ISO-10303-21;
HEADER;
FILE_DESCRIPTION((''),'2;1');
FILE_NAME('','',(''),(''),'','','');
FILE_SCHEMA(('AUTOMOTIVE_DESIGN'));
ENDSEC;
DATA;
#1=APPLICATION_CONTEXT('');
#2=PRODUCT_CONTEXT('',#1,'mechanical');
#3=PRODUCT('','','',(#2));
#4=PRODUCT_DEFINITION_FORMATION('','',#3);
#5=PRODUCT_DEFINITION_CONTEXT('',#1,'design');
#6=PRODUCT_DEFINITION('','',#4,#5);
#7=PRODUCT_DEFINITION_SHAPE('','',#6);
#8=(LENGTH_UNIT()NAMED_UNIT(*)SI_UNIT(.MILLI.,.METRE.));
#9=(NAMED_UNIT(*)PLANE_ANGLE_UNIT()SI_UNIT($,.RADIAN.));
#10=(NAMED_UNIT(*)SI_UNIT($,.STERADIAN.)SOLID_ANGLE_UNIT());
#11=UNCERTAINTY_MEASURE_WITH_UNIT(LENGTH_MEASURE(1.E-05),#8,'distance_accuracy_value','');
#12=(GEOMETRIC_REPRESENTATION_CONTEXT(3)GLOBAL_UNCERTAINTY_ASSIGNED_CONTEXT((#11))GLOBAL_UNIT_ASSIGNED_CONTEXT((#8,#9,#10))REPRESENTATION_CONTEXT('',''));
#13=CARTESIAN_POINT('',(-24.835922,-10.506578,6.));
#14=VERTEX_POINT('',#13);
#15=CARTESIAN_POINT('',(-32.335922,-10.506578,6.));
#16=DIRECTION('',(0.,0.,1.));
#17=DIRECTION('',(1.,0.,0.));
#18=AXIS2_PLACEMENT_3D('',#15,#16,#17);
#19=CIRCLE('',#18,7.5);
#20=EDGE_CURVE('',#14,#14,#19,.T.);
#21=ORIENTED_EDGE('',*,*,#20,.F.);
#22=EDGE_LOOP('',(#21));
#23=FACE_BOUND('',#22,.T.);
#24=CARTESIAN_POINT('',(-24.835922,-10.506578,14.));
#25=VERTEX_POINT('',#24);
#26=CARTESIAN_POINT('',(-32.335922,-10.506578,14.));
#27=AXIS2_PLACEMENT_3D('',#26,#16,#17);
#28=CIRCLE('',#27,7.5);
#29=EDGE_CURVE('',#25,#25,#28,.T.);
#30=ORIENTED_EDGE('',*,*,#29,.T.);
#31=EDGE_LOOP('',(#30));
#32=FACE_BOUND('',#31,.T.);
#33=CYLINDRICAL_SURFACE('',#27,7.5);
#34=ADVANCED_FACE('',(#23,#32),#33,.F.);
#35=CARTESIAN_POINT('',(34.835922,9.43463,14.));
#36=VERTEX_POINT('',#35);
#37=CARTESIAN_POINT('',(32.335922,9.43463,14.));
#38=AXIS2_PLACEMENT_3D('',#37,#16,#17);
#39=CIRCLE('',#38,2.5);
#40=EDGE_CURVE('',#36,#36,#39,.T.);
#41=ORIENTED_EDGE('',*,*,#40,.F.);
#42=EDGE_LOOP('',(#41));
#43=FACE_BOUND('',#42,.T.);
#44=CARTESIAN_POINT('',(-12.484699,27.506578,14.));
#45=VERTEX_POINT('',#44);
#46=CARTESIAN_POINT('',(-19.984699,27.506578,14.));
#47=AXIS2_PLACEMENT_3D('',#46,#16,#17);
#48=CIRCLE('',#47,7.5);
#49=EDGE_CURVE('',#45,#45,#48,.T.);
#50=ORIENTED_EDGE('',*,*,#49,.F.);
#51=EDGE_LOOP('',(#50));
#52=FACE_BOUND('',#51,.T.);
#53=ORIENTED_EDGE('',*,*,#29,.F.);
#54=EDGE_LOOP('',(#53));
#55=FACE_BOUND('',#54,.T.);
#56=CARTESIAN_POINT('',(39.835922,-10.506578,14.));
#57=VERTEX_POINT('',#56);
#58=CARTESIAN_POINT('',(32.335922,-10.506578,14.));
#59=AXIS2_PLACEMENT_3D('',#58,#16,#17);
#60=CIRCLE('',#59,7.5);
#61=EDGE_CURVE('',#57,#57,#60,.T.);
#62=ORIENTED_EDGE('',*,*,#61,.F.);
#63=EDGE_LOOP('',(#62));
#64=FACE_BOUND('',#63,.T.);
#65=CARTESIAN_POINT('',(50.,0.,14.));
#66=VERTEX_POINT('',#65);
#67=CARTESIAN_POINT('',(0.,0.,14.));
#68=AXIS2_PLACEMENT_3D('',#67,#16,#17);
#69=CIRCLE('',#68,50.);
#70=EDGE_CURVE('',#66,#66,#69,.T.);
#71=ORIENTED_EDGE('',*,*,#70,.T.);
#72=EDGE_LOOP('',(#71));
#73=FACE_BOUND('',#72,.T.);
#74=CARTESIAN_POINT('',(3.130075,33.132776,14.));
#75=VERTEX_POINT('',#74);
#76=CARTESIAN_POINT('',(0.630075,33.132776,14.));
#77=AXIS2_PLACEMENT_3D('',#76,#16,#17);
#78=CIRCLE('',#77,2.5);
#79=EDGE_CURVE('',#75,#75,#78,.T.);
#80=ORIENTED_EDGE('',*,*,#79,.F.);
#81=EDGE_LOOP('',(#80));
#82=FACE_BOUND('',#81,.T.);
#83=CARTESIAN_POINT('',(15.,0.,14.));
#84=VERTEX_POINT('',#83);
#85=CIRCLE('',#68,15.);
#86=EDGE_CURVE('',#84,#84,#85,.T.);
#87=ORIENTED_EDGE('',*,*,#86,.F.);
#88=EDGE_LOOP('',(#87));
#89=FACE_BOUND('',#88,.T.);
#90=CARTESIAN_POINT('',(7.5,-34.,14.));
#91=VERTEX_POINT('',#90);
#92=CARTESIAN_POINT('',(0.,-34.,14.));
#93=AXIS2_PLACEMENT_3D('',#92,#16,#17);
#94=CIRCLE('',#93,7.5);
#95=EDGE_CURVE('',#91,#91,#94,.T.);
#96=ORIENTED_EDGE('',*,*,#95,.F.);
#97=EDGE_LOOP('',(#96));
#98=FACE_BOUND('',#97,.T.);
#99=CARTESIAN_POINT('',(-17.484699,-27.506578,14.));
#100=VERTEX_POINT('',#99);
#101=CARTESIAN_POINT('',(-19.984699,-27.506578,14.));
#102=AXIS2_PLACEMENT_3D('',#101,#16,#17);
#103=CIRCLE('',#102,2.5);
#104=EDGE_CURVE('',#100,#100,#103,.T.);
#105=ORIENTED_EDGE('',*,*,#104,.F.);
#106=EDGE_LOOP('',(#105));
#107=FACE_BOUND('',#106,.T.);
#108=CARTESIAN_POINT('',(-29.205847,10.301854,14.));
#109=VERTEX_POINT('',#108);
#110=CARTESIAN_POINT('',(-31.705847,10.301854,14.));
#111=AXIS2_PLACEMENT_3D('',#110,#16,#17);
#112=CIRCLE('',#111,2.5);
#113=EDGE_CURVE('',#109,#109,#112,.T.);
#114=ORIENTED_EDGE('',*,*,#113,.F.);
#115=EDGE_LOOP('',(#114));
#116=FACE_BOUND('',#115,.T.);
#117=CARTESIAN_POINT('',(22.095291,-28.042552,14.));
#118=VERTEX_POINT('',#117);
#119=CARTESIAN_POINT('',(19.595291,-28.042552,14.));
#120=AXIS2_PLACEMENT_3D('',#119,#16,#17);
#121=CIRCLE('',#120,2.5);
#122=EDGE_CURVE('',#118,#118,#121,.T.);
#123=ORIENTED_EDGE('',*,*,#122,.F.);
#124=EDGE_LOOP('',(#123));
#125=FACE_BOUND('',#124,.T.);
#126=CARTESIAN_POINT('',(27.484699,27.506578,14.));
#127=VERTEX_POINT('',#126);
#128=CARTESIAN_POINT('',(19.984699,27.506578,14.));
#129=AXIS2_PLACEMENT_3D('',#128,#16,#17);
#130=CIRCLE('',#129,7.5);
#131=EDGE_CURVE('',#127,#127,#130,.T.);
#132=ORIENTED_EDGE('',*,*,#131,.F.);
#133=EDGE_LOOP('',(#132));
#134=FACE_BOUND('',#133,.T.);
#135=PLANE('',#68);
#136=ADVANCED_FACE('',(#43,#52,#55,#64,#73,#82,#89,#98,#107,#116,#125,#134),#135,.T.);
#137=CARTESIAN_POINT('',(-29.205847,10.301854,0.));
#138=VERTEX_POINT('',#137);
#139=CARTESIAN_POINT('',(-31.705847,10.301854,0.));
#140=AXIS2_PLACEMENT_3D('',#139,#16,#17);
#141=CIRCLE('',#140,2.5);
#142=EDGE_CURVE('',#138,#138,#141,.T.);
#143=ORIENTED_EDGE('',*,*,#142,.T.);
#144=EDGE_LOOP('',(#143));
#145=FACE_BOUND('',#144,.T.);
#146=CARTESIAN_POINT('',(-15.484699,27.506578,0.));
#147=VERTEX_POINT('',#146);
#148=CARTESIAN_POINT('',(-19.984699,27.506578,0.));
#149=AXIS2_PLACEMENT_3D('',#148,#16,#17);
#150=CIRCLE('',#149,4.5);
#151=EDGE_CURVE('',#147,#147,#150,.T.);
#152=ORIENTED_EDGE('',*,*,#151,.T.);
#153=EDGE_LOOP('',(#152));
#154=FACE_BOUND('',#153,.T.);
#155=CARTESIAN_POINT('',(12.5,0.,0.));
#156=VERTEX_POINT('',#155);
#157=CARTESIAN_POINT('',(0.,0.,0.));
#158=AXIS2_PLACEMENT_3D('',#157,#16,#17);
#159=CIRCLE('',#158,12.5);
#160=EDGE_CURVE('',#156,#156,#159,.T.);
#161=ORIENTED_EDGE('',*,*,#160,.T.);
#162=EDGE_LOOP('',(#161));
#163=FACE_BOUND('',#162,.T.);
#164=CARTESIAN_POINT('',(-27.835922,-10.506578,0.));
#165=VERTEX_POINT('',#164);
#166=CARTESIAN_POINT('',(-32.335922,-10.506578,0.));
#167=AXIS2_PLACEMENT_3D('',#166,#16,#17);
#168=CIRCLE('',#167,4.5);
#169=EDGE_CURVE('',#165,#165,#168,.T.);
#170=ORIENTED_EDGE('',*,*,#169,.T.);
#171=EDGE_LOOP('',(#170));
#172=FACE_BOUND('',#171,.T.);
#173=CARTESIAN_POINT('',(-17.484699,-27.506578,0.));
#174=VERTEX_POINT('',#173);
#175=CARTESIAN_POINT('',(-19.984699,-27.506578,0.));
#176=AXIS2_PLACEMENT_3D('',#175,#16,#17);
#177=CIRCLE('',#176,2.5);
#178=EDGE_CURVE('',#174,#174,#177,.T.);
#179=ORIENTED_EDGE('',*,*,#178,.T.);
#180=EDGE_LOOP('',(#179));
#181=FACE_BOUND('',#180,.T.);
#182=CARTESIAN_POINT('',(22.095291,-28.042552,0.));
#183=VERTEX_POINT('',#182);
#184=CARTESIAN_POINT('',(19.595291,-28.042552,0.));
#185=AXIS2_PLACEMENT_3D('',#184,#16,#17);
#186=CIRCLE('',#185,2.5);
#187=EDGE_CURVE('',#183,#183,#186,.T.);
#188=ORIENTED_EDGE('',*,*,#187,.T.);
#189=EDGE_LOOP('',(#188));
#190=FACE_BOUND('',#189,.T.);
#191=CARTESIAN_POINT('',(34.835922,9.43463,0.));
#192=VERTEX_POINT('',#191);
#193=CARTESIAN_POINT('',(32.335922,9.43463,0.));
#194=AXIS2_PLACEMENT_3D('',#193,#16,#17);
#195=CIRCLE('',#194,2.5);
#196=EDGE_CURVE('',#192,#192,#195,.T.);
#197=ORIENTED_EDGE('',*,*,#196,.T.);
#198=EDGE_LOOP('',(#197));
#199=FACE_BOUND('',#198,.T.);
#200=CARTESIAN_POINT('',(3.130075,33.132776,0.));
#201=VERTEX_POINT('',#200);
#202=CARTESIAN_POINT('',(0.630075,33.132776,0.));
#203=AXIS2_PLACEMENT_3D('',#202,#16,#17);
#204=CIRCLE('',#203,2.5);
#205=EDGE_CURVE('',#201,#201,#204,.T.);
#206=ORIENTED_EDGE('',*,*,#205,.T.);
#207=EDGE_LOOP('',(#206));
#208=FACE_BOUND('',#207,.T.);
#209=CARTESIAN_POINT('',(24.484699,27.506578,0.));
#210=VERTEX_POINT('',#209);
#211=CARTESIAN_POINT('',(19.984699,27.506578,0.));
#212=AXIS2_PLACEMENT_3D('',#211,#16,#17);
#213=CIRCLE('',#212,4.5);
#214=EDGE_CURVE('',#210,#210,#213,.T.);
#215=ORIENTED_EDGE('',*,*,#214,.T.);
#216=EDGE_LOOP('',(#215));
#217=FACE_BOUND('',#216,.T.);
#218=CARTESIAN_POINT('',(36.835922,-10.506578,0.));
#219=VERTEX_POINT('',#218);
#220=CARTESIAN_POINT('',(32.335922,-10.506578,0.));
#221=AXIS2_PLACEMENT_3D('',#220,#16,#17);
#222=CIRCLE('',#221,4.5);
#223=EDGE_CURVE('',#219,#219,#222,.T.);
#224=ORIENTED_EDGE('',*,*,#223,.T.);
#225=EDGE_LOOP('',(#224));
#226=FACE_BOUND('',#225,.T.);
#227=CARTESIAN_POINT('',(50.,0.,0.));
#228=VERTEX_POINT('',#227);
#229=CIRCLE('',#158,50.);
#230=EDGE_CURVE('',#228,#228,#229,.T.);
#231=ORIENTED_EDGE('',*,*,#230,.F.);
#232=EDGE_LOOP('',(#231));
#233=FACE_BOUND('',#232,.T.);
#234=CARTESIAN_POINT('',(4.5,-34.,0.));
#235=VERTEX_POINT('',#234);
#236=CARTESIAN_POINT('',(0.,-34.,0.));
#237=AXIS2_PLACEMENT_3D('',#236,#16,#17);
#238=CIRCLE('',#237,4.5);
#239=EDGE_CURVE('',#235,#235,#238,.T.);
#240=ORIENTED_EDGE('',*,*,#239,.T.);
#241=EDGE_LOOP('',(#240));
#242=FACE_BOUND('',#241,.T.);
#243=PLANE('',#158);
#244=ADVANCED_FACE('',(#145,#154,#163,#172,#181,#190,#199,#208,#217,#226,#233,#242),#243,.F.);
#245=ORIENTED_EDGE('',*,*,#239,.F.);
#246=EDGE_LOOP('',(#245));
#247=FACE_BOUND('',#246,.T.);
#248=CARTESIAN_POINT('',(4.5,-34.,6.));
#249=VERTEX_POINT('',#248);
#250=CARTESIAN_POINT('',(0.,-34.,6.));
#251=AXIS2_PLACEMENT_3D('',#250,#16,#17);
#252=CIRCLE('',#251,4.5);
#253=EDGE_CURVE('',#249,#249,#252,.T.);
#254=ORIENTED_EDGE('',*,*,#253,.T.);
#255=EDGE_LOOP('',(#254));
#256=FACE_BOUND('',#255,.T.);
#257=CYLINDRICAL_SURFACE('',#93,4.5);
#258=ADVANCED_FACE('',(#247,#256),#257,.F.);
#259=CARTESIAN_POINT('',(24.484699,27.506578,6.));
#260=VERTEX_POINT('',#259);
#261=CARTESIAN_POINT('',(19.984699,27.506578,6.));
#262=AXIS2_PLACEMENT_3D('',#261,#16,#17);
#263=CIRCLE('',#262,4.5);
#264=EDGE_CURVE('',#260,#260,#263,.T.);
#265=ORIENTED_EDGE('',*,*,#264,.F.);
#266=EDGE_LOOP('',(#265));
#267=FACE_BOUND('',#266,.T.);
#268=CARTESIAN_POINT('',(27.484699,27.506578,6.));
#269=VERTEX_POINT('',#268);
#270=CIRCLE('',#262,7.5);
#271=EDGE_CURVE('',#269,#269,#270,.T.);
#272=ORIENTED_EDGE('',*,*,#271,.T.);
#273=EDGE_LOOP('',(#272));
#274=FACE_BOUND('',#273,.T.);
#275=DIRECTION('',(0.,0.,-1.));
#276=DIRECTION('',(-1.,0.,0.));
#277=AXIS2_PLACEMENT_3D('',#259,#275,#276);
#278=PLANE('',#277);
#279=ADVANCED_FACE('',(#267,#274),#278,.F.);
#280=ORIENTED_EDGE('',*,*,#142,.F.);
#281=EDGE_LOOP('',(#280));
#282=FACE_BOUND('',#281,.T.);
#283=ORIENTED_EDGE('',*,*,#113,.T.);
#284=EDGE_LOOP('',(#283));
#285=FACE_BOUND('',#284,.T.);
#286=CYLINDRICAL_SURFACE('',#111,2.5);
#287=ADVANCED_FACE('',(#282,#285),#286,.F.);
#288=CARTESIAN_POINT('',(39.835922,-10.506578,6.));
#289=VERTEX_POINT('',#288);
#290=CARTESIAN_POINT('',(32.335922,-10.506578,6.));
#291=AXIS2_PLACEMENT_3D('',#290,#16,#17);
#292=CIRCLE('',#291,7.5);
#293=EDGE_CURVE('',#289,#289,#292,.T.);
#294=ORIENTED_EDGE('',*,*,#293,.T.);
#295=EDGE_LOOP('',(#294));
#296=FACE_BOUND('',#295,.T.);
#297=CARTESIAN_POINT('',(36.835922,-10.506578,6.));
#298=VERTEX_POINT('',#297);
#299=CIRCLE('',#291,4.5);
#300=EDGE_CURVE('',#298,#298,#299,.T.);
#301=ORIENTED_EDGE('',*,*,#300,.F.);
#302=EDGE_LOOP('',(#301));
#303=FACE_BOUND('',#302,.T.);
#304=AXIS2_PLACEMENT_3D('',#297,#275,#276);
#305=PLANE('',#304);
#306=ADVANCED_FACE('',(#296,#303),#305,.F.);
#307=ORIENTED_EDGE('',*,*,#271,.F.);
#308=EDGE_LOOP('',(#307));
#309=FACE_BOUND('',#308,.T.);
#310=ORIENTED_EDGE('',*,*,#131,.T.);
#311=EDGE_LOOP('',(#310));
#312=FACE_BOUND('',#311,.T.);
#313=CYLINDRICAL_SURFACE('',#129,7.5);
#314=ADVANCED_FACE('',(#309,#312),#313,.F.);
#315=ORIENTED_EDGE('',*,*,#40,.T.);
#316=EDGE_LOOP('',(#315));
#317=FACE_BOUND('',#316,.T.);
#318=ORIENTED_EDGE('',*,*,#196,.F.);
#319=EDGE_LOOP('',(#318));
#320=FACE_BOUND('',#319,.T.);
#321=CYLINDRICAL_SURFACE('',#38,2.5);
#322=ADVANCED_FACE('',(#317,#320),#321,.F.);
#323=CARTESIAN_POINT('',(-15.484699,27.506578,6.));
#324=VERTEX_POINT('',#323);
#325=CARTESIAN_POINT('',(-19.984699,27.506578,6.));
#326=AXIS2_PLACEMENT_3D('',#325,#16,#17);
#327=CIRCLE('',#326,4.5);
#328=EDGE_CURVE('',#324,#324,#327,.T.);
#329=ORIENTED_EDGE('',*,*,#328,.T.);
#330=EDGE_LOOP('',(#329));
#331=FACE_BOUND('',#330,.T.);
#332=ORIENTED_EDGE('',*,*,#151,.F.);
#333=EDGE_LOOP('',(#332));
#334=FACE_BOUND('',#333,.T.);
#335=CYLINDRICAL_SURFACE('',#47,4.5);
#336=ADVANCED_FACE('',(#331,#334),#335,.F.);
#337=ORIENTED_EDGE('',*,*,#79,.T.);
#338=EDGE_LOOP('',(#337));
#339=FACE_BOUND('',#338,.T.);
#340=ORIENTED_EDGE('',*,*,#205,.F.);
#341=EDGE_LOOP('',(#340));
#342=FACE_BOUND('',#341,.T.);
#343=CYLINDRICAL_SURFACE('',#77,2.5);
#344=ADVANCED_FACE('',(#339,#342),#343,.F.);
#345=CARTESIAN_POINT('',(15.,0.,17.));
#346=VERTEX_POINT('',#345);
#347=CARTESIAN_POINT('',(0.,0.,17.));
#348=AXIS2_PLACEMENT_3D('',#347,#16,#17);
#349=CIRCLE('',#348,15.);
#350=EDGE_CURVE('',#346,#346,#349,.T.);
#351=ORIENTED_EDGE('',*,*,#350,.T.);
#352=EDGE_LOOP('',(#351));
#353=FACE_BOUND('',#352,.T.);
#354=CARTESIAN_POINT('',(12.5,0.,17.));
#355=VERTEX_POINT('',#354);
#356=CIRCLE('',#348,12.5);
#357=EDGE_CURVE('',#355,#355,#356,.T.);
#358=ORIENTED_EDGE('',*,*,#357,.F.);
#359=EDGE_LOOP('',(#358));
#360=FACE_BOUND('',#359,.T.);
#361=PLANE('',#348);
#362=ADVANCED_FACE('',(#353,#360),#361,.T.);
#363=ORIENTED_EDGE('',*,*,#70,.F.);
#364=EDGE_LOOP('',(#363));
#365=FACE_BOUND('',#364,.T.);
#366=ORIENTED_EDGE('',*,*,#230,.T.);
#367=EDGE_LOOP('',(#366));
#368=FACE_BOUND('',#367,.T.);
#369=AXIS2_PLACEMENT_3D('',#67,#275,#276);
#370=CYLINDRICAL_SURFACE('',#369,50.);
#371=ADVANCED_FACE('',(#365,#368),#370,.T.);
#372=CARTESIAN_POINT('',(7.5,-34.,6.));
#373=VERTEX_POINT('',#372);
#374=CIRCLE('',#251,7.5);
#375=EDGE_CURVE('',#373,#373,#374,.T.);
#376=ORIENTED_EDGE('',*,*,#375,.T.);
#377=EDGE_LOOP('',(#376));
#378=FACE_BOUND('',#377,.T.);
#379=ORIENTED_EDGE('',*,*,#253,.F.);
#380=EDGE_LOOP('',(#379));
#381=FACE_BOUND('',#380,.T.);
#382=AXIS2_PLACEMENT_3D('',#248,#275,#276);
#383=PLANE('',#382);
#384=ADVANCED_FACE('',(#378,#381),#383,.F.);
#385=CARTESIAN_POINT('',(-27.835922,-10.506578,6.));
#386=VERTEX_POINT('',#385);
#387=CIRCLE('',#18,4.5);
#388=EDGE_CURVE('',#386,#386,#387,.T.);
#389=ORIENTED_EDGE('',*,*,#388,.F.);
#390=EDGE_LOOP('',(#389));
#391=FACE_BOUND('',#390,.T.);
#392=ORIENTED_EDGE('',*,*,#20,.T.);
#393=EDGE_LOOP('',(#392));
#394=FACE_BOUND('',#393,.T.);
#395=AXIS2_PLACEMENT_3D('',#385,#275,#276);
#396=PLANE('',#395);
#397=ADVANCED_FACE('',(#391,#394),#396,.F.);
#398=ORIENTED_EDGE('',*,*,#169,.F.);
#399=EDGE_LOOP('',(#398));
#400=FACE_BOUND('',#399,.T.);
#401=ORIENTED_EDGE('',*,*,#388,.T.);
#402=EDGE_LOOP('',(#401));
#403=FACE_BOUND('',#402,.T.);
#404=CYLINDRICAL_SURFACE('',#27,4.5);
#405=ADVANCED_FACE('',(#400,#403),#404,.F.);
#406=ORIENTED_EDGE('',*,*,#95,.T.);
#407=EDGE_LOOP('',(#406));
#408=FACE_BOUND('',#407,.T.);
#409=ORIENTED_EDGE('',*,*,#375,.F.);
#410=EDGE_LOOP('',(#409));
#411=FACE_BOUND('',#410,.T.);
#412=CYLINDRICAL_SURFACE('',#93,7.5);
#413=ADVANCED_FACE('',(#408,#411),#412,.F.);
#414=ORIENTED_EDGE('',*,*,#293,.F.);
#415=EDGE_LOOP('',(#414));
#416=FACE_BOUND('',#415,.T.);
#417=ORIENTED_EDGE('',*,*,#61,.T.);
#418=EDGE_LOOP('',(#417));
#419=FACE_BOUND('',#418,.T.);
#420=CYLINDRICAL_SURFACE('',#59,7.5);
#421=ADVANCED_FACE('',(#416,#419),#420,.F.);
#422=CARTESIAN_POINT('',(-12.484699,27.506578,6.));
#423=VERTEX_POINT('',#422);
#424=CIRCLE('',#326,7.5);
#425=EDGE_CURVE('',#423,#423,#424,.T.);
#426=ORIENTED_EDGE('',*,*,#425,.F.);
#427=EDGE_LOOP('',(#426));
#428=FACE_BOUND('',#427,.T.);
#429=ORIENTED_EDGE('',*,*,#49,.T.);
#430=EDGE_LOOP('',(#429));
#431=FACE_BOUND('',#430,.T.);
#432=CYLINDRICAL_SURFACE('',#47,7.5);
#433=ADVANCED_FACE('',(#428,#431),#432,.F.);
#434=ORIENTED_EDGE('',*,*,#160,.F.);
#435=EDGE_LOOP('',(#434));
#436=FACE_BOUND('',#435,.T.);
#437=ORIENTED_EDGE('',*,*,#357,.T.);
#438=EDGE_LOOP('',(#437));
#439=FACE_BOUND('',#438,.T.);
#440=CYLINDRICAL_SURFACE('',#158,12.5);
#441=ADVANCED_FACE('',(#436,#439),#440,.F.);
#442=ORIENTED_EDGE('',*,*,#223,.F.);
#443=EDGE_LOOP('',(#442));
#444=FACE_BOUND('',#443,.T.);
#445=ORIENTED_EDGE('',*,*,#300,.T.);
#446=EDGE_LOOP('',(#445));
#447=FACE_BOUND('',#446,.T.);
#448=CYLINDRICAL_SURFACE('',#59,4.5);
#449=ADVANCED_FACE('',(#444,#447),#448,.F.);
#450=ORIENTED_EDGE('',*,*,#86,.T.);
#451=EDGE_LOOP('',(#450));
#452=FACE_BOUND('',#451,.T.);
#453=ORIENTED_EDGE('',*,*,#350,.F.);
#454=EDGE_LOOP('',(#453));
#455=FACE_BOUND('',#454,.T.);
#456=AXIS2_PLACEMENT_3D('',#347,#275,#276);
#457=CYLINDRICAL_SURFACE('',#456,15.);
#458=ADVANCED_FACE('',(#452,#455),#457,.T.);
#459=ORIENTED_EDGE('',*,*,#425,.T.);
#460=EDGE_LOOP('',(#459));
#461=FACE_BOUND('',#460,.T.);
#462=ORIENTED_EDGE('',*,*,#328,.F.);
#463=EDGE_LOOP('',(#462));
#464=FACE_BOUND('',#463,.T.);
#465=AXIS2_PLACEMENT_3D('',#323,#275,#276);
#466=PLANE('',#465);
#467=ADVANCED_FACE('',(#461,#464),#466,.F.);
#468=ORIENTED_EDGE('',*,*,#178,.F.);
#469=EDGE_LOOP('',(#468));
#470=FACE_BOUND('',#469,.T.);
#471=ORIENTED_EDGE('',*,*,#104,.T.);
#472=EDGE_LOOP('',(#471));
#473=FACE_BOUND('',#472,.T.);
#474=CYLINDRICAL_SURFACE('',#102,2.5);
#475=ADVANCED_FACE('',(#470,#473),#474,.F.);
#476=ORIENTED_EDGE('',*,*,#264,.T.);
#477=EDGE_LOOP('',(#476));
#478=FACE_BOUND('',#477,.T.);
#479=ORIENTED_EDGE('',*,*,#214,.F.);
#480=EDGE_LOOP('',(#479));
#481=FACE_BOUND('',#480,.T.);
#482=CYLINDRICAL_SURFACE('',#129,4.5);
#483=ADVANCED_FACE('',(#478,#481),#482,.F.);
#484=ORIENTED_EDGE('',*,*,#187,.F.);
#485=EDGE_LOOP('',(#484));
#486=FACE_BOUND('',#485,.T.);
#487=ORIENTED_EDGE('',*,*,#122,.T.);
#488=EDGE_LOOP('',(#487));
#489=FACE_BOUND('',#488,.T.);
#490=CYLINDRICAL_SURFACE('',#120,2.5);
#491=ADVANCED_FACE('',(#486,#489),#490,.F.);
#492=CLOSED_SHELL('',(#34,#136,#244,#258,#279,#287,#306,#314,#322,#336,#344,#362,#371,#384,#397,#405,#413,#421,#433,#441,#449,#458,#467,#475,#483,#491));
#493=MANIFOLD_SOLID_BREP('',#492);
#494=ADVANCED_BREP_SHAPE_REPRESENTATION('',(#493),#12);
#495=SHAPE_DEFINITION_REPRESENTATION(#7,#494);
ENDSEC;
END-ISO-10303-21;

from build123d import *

# Parameters (mm, degrees)
SKETCH1_R                      = 50
BOSS_EXTRUDE1_DEPTH            = 14
SKETCH2_R                      = 12.5
CUT_EXTRUDE1_DEPTH             = 73.083285164
BOSS_EXTRUDE2_START            = 3
SKETCH3_R                      = 15
SKETCH3_R_2                    = 12.5
BOSS_EXTRUDE2_DEPTH            = 3
CBORE_FOR_M8_SHCS1_D           = 9
CBORE_FOR_M8_SHCS1_CBORE_D     = 15
CBORE_FOR_M8_SHCS1_CBORE_DEPTH = 8
M6X1_0_TAPPED_HOLE1_D          = 5


with BuildPart() as part:
    # Sketch1 → Boss-Extrude1 (new body)
    with BuildSketch(Plane.XY):
        Circle(SKETCH1_R)
    extrude(amount=BOSS_EXTRUDE1_DEPTH)

    # Sketch2 → Cut-Extrude1 (cut, through all)
    with BuildSketch(Plane.XY.offset(14)):
        Circle(SKETCH2_R)
    extrude(amount=-CUT_EXTRUDE1_DEPTH, mode=Mode.SUBTRACT)

    # Sketch3 → Boss-Extrude2 (add)
    with BuildSketch(Plane.XY.offset(14).offset(BOSS_EXTRUDE2_START)):
        Circle(SKETCH3_R)
        Circle(SKETCH3_R_2, mode=Mode.SUBTRACT)
    extrude(amount=-BOSS_EXTRUDE2_DEPTH)

    # CBORE for M8 SHCS1 (through all)
    with Locations(Plane.XY.offset(14)):
        with Locations((0, -34), (-32.335921554, -10.506577809), (-19.984698578, 27.506577809), (19.984698578, 27.506577809), (32.335921554, -10.506577809)):
            CounterBoreHole(CBORE_FOR_M8_SHCS1_D / 2, CBORE_FOR_M8_SHCS1_CBORE_D / 2, CBORE_FOR_M8_SHCS1_CBORE_DEPTH)

    # M6x1.0 Tapped Hole1 (through all)
    with Locations(Plane.XY.offset(14)):
        with Locations((-19.984698578, -27.506577809), (-31.705846612, 10.30185405), (0.630074942, 33.132776241), (32.335921554, 9.434630291), (19.595290848, -28.042551568), (0.174148431, -0.535973759)):
            Hole(M6X1_0_TAPPED_HOLE1_D / 2)


solid = part.part
